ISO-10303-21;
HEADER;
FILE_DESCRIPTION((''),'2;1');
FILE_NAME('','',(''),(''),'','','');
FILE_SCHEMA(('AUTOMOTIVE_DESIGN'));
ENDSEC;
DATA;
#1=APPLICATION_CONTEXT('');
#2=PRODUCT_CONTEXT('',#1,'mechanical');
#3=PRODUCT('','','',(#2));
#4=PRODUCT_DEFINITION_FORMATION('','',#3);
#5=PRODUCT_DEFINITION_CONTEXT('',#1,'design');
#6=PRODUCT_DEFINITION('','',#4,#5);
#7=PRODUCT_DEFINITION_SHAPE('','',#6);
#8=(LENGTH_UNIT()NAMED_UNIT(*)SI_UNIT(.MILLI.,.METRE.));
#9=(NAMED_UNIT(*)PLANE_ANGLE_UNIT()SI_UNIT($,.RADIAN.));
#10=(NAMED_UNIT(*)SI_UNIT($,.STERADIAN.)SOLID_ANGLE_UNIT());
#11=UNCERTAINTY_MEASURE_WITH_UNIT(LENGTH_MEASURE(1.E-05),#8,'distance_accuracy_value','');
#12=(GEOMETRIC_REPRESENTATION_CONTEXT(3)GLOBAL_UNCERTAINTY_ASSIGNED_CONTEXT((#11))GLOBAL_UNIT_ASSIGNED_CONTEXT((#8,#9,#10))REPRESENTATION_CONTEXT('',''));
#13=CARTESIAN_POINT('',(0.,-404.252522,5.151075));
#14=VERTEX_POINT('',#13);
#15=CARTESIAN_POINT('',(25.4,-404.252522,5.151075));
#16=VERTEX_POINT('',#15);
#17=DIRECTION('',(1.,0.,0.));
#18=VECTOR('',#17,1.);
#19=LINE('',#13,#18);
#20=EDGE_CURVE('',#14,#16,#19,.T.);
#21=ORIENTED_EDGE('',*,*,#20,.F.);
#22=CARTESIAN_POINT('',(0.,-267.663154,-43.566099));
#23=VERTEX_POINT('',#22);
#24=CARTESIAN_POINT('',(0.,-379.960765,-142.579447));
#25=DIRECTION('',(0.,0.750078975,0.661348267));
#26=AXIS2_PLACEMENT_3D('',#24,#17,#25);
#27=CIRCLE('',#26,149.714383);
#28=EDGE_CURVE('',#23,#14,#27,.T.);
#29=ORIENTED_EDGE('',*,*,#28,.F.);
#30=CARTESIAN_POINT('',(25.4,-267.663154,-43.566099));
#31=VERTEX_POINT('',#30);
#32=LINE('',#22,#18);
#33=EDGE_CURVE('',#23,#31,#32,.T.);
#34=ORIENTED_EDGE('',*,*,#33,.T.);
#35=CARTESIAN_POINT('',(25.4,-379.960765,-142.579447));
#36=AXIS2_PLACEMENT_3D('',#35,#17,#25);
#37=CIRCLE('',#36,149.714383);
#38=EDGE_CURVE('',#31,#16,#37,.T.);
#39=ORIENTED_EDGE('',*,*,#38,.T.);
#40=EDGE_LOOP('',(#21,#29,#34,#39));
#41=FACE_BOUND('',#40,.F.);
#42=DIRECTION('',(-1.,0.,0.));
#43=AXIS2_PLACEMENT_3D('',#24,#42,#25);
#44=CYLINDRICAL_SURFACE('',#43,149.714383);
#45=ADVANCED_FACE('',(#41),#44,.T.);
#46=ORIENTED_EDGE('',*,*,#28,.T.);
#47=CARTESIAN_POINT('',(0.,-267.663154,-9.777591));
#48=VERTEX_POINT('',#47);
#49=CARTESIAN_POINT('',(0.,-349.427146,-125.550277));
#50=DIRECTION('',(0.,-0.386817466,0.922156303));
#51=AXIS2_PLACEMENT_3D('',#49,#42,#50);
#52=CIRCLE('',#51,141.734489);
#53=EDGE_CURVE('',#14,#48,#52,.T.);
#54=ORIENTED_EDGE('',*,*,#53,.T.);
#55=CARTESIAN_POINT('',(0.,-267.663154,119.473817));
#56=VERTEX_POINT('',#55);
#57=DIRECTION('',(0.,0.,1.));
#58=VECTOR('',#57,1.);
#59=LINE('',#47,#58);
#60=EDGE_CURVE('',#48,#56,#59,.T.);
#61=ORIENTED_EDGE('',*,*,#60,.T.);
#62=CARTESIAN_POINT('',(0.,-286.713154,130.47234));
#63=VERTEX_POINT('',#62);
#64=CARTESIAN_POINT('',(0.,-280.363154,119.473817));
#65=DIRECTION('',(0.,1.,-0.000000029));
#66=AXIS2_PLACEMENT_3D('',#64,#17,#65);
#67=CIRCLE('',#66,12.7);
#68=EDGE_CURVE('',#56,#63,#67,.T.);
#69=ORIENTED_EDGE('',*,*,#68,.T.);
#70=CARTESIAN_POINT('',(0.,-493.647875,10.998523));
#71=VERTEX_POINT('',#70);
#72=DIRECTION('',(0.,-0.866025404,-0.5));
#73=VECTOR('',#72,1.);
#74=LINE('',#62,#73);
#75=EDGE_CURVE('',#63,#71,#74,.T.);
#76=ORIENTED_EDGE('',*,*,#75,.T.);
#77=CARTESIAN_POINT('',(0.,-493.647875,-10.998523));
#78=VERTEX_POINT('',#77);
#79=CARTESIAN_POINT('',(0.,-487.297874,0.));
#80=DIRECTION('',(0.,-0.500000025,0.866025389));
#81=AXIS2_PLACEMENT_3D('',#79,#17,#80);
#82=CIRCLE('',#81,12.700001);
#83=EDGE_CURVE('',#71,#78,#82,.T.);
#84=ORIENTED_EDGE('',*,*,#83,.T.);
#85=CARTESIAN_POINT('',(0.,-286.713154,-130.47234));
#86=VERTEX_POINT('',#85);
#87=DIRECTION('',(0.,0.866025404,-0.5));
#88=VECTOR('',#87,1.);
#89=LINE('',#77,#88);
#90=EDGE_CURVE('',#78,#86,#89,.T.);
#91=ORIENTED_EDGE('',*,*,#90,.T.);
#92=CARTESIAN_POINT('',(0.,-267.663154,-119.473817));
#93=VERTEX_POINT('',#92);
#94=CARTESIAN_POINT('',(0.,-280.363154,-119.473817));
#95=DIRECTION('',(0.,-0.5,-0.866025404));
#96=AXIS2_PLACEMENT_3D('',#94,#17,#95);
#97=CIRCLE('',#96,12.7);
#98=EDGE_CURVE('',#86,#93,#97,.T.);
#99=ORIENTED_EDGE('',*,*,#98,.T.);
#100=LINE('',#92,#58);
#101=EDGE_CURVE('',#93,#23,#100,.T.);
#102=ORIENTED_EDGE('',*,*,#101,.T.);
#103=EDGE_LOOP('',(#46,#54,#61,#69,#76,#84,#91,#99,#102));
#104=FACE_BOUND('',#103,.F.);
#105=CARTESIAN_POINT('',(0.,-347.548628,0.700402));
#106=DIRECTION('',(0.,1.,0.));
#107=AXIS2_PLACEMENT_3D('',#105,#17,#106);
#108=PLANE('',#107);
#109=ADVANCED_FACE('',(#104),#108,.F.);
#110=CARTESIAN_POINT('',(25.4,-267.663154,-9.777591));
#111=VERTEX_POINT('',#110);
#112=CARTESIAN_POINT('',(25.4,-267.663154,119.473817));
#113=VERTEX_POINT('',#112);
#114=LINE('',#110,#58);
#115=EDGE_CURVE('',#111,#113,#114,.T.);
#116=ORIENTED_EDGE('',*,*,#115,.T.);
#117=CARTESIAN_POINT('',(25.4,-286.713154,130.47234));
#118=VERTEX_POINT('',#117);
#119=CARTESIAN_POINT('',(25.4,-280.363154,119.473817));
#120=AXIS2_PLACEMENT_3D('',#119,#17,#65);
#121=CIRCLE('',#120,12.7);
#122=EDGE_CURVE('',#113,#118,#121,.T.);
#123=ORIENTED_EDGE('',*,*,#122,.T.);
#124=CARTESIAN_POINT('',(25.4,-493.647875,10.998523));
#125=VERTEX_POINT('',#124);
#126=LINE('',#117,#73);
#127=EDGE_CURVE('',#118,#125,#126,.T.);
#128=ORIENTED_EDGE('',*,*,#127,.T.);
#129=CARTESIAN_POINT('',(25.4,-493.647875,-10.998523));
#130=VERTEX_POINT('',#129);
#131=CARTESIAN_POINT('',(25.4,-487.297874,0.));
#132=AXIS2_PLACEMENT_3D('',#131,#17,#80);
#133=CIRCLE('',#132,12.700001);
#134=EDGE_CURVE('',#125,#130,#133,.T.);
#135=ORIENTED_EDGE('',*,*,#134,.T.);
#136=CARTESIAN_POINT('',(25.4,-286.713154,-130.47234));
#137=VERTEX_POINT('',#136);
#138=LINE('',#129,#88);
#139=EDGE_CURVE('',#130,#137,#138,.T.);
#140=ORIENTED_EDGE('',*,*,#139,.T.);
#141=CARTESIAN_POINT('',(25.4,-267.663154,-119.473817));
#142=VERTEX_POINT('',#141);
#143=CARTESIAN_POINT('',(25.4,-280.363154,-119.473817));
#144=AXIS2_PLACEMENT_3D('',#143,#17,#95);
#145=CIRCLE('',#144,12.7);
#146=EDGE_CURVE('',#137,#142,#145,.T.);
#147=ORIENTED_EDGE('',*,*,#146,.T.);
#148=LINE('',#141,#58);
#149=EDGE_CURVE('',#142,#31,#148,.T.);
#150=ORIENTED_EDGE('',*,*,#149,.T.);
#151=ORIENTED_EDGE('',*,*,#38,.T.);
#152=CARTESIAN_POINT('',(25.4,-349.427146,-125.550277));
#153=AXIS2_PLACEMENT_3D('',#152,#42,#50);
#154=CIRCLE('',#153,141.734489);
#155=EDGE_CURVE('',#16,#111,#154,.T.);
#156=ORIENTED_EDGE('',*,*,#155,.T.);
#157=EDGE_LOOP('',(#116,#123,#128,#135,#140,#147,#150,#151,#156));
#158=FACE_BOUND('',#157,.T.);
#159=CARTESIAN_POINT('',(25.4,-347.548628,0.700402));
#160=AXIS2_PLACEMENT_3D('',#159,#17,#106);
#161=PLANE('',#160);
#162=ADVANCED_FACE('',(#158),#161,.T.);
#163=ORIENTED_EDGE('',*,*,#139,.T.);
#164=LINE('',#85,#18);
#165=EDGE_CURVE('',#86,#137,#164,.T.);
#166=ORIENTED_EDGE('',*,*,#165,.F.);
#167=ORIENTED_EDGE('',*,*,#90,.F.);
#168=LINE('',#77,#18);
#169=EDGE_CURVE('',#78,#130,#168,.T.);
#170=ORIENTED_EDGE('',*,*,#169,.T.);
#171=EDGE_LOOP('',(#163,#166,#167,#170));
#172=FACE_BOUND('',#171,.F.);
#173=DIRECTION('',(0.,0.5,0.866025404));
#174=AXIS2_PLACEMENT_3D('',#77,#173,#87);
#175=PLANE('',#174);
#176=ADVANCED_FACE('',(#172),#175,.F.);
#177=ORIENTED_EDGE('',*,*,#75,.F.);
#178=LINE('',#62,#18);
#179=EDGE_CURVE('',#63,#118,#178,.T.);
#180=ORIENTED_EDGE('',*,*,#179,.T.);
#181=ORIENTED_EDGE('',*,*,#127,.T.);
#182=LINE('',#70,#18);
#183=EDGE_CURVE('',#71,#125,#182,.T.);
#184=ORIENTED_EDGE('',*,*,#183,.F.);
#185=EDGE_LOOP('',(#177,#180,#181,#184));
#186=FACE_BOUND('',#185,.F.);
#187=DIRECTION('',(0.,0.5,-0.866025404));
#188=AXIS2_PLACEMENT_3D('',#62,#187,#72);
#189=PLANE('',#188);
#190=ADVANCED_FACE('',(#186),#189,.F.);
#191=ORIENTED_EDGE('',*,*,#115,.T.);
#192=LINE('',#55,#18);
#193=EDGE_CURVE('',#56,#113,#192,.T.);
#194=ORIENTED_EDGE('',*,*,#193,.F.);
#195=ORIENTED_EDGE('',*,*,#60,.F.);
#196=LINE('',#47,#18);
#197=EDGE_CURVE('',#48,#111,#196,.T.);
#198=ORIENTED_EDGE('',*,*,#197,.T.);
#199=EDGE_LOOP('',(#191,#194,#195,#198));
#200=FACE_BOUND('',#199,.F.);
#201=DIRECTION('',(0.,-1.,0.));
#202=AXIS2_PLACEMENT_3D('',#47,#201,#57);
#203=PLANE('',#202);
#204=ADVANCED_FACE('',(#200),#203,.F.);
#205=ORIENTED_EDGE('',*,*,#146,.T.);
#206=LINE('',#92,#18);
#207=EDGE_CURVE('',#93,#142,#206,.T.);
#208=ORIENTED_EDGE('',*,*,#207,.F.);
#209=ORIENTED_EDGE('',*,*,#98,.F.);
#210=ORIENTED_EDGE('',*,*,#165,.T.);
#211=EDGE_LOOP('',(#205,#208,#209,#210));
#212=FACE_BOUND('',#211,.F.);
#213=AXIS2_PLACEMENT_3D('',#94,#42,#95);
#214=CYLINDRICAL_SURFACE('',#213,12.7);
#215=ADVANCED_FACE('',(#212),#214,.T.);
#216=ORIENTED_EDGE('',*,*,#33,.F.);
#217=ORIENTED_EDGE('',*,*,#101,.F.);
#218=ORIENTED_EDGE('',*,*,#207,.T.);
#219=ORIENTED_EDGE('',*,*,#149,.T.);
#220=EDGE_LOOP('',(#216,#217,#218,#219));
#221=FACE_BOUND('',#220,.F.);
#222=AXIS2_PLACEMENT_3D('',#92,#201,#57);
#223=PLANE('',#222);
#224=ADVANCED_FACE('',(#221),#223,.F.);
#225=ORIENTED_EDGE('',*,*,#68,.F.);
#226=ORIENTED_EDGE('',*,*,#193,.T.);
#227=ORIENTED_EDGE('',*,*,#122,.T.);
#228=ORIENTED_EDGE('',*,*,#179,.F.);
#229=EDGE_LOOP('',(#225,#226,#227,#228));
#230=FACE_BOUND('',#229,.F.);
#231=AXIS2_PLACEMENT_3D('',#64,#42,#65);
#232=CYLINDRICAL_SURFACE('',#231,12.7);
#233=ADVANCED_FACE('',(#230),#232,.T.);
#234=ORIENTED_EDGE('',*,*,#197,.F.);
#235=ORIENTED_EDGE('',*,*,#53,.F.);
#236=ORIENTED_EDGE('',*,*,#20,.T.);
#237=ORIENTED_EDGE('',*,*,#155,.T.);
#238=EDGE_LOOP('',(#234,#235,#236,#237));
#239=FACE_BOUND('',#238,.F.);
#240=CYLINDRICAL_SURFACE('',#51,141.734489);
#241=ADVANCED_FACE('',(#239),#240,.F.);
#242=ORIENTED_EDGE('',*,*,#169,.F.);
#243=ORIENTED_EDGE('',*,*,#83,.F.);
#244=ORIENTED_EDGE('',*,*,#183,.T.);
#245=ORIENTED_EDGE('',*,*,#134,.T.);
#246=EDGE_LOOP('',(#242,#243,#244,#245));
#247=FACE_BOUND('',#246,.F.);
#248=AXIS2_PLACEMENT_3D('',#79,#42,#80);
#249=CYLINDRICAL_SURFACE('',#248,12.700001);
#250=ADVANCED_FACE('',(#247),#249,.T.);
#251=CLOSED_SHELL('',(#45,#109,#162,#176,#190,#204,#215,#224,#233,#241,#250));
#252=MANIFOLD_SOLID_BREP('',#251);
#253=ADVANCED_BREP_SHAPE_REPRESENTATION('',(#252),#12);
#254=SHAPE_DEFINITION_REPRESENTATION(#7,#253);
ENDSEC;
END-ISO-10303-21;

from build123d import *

# Parameters (mm, degrees)
F1_DEPTH = 25.4


with BuildPart() as f1:
    # F0 (on Right) → F1 (new body)
    with BuildSketch(Plane.YZ):
        with BuildLine():
            Line((-286.713154, 130.47234), (-493.647875, 10.998523))
            ThreePointArc((-493.647875, 10.998523), (-499.997875, 0), (-493.647875, -10.998523))
            Line((-493.647875, -10.998523), (-286.713154, -130.47234))
            ThreePointArc((-286.713154, -130.47234), (-274.013154, -130.47234), (-267.663154, -119.473817))
            Line((-267.663154, -119.473817), (-267.663154, -43.566099))
            ThreePointArc((-267.663154, -43.566099), (-329.665652, -1.565979), (-404.252522, 5.151075))
            ThreePointArc((-404.252522, 5.151075), (-334.027843, 15.345169), (-267.663154, -9.777591))
            Line((-267.663154, -9.777591), (-267.663154, 119.473817))
            ThreePointArc((-267.663154, 119.473817), (-274.013154, 130.47234), (-286.713154, 130.47234))
        make_face()
    extrude(amount=F1_DEPTH)


solid = f1.part
